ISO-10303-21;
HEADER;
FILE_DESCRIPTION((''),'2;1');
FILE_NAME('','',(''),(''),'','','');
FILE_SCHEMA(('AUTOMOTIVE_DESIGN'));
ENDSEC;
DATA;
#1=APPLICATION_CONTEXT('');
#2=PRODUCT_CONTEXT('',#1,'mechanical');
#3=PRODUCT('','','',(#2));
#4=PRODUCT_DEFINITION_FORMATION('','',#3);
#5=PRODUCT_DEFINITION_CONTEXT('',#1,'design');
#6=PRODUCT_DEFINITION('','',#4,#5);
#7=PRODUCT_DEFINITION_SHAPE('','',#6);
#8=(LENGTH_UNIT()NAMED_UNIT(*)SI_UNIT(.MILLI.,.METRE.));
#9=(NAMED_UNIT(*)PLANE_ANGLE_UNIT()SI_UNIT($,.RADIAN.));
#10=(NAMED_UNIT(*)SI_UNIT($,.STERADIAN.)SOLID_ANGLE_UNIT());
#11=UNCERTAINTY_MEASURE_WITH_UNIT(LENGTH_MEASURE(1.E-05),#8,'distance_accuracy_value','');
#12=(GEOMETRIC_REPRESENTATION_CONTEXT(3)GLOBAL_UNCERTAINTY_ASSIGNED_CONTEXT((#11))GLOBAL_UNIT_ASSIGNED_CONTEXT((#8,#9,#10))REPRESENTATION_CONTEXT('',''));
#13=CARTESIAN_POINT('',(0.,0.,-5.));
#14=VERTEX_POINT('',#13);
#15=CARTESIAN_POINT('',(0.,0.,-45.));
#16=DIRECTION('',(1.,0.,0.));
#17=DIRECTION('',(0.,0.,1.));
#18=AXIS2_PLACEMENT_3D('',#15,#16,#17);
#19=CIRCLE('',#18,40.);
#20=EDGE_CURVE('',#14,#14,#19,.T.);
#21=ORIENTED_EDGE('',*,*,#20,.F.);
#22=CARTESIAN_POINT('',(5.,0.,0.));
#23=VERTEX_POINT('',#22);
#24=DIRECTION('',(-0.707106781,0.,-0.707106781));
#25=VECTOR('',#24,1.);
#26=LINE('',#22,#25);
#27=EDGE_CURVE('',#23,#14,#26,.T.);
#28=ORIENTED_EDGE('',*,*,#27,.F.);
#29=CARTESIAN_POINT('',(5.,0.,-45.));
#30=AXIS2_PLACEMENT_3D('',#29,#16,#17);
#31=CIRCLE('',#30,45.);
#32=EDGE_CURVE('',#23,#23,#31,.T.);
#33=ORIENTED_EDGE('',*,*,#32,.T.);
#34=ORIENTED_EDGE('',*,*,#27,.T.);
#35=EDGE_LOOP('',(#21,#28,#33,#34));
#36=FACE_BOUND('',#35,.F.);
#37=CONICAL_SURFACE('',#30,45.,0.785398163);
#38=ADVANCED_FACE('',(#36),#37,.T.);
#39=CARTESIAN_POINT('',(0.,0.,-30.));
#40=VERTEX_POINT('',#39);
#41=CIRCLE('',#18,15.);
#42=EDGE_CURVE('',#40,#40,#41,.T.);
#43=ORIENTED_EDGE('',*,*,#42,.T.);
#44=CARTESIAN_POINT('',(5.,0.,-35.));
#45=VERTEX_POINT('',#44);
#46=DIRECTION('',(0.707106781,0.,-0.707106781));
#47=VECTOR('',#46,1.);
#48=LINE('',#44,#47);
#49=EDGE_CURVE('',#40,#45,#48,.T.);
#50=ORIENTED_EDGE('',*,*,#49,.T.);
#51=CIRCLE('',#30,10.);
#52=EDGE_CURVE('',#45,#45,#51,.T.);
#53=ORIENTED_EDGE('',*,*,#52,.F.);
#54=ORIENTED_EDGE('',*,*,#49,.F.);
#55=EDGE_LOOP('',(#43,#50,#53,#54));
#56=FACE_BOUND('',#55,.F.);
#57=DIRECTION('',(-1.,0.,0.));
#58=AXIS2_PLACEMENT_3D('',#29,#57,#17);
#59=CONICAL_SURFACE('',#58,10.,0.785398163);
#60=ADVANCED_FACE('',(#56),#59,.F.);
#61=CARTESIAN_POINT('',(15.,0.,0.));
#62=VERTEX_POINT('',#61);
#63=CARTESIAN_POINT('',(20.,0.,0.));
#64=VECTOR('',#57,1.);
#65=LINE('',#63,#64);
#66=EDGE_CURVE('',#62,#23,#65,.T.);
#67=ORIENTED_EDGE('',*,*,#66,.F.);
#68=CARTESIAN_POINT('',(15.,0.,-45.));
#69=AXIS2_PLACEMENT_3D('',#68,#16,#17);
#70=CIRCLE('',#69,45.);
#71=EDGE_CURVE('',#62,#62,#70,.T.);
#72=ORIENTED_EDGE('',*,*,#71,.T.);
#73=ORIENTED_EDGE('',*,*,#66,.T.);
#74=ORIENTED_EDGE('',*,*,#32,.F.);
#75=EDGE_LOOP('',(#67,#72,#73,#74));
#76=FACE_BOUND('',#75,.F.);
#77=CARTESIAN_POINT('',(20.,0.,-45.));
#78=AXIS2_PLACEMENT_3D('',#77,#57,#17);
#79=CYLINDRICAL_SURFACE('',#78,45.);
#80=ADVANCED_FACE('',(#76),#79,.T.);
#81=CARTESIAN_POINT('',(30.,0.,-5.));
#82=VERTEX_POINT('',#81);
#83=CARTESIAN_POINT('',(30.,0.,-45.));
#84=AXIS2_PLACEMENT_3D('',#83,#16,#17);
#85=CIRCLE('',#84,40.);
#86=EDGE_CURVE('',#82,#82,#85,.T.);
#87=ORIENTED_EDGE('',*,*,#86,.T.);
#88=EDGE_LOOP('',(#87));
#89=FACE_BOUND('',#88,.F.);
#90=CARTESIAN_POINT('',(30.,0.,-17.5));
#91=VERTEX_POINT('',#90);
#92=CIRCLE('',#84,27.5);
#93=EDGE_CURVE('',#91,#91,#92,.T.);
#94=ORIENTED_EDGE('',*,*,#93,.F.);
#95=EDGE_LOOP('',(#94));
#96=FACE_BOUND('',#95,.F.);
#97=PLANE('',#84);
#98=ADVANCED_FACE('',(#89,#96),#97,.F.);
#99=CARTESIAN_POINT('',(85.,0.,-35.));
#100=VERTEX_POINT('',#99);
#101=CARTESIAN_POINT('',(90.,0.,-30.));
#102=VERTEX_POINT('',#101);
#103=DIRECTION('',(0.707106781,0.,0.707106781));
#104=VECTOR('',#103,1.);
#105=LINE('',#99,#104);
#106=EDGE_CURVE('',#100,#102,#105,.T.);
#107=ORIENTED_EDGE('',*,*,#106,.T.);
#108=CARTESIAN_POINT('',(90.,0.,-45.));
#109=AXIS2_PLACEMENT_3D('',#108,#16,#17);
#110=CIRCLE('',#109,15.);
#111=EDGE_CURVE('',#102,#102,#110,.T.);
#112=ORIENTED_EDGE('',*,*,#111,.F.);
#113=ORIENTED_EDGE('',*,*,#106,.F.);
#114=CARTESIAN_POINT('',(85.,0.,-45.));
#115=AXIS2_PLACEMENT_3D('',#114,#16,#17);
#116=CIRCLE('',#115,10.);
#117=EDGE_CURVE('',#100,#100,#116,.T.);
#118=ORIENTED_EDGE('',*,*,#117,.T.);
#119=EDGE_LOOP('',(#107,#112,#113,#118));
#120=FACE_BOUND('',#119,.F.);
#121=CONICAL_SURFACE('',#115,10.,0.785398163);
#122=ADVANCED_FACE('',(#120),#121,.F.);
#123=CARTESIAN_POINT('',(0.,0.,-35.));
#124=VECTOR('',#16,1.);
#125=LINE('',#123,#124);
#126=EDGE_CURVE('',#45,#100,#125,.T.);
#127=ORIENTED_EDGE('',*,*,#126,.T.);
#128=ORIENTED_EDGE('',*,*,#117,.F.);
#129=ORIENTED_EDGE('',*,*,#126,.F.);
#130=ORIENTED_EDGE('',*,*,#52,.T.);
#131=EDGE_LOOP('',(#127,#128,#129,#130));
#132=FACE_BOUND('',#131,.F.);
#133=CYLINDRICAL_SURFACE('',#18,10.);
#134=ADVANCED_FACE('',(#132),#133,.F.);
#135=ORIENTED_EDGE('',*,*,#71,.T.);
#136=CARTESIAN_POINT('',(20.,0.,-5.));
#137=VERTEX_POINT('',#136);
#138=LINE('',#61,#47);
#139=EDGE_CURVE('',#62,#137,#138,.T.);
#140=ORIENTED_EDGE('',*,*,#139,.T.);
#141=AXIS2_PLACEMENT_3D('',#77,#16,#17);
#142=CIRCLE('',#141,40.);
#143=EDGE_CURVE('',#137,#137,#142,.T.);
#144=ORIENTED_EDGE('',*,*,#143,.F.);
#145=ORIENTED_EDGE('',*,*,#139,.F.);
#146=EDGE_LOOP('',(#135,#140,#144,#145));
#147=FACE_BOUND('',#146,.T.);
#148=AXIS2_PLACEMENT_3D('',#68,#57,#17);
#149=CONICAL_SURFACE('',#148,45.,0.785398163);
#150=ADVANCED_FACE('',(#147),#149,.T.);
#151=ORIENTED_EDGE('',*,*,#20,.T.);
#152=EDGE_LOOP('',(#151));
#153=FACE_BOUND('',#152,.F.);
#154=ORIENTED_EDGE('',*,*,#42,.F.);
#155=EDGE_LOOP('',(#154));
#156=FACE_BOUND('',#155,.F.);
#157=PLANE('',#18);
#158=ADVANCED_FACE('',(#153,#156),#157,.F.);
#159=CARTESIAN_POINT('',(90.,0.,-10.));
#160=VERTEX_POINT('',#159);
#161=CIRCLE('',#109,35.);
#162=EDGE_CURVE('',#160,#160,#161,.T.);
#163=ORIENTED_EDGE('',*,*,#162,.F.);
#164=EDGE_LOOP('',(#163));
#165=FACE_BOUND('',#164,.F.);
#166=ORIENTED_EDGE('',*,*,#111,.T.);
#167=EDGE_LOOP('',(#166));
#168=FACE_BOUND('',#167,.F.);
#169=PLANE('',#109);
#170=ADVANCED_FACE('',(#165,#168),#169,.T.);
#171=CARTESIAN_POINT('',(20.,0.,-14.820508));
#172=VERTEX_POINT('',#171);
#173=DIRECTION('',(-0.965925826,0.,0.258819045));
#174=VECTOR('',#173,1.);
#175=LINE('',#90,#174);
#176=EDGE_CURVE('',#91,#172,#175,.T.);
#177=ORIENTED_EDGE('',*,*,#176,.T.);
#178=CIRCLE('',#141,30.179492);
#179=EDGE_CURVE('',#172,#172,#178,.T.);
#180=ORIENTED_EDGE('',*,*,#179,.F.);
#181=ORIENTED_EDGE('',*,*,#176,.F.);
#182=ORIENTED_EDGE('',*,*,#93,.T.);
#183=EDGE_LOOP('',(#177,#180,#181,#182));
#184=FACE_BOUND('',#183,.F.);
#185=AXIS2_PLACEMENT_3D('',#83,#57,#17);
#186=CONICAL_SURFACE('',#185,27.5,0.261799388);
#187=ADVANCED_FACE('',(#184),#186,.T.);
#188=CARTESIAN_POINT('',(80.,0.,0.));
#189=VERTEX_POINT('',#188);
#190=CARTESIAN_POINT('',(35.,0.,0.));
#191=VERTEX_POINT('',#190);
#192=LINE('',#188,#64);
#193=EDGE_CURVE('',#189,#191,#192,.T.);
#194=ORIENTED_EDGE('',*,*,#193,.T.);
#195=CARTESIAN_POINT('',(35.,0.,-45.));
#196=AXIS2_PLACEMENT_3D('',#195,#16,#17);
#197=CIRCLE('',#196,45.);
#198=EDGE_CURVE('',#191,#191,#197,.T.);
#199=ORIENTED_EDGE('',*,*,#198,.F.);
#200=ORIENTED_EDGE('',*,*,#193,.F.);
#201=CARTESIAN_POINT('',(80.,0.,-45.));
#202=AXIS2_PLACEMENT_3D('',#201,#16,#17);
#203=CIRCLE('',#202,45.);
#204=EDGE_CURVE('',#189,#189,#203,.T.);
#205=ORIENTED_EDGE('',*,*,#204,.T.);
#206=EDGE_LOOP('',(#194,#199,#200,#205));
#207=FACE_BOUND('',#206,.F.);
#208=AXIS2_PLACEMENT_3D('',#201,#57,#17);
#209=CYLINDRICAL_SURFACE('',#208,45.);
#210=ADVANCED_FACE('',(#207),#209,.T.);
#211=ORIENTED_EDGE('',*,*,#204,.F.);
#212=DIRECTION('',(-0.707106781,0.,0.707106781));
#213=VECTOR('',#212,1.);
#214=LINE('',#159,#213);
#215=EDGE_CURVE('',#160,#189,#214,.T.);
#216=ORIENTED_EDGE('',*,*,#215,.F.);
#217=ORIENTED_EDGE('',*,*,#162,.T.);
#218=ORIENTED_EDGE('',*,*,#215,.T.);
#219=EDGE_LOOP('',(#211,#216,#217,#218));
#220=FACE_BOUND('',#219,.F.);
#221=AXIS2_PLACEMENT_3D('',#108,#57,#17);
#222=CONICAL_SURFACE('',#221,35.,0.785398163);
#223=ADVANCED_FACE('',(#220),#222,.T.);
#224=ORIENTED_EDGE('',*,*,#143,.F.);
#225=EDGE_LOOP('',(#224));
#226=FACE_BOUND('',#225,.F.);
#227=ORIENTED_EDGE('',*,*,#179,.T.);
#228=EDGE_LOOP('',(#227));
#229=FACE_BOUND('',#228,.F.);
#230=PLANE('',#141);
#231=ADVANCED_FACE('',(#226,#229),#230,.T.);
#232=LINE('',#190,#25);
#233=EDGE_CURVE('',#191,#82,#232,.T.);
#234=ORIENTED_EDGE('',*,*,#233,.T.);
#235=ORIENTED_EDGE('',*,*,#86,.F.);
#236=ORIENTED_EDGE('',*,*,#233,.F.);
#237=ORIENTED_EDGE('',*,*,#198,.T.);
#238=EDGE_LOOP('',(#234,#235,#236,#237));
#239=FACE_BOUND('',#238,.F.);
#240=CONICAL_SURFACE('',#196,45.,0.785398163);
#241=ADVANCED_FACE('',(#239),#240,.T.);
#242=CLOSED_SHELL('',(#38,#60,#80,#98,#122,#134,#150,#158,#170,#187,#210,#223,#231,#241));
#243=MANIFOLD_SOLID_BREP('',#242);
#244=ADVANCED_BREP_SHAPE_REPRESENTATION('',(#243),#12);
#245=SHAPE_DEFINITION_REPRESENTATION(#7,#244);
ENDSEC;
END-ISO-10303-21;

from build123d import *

# Parameters (mm, degrees)
F2_SIZE = 5


with BuildPart() as f1:
    # F0 (on Front) → F1 (revolve)
    with BuildSketch(Plane.XZ):
        Polygon((20, 0), (0, 0), (0, -35), (90, -35), (90, -10), (80, 0), (30, 0), (30, -17.5), (20, -14.8205080757), align=None)
    revolve(axis=Axis((44.4514416158, 0, -45), (1, 0, 0)))

    # F2
    f2_edges = [f1.edges().sort_by_distance(p)[0] for p in [
        (0, 0, -90),
        (20, 0, -90),
        (30, 0, -90),
        (0, 0, -55),
        (90, 0, -55),
    ]]
    chamfer(f2_edges, length=F2_SIZE)


solid = f1.part
